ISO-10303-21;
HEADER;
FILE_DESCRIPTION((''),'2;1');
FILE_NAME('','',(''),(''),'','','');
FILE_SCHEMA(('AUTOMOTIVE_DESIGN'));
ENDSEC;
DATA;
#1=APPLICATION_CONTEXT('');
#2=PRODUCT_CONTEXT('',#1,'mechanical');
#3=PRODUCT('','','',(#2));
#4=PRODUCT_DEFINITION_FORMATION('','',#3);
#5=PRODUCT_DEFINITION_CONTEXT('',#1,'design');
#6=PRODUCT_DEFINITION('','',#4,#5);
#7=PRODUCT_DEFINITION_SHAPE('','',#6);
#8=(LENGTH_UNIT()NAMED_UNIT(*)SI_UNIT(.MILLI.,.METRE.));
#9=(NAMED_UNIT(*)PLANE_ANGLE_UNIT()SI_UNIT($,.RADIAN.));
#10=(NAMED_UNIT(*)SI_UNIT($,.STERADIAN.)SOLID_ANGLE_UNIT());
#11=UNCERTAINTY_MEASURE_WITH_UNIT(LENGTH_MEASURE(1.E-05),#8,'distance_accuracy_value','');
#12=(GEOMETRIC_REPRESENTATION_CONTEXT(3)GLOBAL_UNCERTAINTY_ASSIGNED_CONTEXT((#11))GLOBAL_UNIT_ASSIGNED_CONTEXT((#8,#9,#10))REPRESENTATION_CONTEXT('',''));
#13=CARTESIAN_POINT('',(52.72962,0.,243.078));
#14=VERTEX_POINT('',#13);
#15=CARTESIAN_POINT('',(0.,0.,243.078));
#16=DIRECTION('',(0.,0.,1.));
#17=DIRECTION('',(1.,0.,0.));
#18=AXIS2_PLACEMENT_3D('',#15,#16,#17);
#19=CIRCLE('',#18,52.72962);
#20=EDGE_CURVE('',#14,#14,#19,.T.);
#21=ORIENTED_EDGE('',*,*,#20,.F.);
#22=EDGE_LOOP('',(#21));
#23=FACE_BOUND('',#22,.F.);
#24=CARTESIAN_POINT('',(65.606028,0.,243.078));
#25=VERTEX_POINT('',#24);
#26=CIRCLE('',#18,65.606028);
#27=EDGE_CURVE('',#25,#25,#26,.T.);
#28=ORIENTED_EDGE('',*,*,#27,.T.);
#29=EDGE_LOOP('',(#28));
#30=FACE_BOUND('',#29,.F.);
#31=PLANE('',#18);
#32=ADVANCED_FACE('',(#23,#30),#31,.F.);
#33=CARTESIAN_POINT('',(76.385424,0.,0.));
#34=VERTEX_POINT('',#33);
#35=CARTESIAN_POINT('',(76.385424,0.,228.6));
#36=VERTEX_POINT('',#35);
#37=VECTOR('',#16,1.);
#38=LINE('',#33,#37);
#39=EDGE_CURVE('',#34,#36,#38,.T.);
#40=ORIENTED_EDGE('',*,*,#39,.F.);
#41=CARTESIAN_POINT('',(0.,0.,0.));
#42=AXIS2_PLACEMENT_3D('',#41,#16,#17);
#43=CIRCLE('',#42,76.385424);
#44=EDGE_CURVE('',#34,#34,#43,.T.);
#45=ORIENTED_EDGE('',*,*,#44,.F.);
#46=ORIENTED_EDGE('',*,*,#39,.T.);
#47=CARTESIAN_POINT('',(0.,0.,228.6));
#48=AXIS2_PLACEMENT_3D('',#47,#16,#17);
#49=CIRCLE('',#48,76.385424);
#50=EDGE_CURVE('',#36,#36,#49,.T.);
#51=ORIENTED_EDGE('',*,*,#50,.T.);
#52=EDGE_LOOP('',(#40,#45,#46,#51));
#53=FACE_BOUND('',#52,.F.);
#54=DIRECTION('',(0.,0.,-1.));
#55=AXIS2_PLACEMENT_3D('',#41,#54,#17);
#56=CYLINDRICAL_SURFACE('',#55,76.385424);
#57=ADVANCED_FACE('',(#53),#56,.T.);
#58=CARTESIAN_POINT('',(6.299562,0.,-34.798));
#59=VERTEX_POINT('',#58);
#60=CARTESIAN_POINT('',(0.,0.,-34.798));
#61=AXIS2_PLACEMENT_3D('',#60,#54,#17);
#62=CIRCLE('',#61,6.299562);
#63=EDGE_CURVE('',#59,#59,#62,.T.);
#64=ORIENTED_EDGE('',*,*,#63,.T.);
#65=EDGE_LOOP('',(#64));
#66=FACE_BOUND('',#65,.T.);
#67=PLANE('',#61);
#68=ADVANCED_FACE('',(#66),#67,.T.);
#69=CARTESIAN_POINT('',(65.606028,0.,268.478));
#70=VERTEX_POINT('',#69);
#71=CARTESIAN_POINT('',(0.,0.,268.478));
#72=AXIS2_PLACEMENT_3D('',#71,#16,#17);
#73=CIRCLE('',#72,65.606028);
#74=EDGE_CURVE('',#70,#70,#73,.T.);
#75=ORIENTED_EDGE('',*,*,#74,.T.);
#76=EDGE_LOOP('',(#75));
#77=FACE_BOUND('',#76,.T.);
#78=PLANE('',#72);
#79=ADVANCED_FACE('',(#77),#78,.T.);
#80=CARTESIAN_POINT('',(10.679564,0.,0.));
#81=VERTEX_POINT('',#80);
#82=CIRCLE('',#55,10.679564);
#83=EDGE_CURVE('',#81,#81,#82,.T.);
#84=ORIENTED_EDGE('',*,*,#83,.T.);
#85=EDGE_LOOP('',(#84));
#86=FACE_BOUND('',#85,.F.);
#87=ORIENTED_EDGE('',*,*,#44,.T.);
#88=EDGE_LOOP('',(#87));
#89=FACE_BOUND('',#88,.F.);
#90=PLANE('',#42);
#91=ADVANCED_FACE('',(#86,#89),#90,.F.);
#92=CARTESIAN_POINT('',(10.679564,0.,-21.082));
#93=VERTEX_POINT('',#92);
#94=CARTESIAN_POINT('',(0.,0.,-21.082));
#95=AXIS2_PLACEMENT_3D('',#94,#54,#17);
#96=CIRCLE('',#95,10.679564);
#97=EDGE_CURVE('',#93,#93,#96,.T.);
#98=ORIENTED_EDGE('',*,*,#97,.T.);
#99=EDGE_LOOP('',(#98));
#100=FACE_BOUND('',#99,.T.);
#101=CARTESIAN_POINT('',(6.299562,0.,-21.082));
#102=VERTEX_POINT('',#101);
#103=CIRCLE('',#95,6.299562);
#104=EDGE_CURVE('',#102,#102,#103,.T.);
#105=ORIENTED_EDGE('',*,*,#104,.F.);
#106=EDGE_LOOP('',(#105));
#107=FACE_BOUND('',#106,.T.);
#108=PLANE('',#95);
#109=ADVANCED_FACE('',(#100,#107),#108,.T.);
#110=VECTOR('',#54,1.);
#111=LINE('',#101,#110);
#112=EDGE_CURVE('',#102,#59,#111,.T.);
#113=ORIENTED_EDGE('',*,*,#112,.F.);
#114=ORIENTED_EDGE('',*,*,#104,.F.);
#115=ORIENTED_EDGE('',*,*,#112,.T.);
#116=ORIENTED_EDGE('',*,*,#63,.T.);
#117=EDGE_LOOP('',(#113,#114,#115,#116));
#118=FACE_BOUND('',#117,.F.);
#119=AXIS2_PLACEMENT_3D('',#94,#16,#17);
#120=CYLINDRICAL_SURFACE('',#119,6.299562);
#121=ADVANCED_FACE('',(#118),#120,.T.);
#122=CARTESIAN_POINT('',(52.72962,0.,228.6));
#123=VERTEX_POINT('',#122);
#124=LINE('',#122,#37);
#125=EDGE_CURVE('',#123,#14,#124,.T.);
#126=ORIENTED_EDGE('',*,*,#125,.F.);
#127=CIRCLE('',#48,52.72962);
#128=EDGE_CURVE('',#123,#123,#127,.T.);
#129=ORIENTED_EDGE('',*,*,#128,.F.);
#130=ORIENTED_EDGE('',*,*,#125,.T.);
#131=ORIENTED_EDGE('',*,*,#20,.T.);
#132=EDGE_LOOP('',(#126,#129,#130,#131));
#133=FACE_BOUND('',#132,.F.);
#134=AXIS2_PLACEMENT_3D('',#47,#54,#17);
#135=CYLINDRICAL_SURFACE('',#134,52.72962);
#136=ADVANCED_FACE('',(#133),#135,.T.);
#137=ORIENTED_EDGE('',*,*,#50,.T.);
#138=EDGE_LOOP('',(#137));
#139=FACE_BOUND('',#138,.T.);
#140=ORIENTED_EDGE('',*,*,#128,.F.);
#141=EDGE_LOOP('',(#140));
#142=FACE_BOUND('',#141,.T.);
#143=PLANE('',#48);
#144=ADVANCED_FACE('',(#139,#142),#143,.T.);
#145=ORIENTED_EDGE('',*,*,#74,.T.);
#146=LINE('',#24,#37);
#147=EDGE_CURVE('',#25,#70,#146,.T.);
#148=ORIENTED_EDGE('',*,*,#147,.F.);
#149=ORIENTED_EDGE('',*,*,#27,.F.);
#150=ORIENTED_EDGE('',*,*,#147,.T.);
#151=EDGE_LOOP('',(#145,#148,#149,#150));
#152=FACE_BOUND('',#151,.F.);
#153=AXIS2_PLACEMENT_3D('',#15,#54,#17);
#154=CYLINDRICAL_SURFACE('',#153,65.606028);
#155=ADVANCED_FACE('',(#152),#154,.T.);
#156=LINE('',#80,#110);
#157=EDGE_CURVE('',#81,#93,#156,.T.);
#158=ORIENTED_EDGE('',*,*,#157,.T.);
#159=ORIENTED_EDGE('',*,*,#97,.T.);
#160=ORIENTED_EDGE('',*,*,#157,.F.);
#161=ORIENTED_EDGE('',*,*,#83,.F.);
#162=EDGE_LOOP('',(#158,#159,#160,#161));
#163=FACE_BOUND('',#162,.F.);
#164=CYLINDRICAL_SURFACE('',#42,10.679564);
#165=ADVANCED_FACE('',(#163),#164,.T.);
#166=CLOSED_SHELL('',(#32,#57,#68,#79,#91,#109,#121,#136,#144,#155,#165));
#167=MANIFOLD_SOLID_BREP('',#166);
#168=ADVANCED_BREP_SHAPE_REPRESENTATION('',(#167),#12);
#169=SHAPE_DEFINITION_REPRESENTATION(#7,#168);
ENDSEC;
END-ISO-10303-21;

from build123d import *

# Parameters (mm, degrees)
F0_R     = 76.385424
F1_DEPTH = 228.6
F2_R     = 52.72962
F3_DEPTH = 14.478
F4_R     = 65.606028
F5_DEPTH = 25.4
F6_R     = 10.679564
F7_DEPTH = 21.082
F8_R     = 6.299562
F9_DEPTH = 13.716


with BuildPart() as f1:
    # F0 (on Top) → F1 (new body)
    with BuildSketch(Plane.XY):
        Circle(F0_R)
    extrude(amount=F1_DEPTH)

    # F2 (on face) → F3 (join)
    with BuildSketch(Plane.XY.offset(228.6)):
        Circle(F2_R)
    extrude(amount=F3_DEPTH)

    # F4 (on face) → F5 (join)
    with BuildSketch(Plane.XY.offset(243.078)):
        Circle(F4_R)
    extrude(amount=F5_DEPTH)

    # F6 (on face) → F7 (join)
    with BuildSketch(Plane(origin=(0, 0, 0), x_dir=(1, 0, 0), z_dir=(0, 0, -1))):
        Circle(F6_R)
    extrude(amount=F7_DEPTH)

    # F8 (on face) → F9 (join)
    with BuildSketch(Plane(origin=(0, 0, -21.082), x_dir=(1, 0, 0), z_dir=(0, 0, -1))):
        Circle(F8_R)
    extrude(amount=F9_DEPTH)


solid = f1.part
